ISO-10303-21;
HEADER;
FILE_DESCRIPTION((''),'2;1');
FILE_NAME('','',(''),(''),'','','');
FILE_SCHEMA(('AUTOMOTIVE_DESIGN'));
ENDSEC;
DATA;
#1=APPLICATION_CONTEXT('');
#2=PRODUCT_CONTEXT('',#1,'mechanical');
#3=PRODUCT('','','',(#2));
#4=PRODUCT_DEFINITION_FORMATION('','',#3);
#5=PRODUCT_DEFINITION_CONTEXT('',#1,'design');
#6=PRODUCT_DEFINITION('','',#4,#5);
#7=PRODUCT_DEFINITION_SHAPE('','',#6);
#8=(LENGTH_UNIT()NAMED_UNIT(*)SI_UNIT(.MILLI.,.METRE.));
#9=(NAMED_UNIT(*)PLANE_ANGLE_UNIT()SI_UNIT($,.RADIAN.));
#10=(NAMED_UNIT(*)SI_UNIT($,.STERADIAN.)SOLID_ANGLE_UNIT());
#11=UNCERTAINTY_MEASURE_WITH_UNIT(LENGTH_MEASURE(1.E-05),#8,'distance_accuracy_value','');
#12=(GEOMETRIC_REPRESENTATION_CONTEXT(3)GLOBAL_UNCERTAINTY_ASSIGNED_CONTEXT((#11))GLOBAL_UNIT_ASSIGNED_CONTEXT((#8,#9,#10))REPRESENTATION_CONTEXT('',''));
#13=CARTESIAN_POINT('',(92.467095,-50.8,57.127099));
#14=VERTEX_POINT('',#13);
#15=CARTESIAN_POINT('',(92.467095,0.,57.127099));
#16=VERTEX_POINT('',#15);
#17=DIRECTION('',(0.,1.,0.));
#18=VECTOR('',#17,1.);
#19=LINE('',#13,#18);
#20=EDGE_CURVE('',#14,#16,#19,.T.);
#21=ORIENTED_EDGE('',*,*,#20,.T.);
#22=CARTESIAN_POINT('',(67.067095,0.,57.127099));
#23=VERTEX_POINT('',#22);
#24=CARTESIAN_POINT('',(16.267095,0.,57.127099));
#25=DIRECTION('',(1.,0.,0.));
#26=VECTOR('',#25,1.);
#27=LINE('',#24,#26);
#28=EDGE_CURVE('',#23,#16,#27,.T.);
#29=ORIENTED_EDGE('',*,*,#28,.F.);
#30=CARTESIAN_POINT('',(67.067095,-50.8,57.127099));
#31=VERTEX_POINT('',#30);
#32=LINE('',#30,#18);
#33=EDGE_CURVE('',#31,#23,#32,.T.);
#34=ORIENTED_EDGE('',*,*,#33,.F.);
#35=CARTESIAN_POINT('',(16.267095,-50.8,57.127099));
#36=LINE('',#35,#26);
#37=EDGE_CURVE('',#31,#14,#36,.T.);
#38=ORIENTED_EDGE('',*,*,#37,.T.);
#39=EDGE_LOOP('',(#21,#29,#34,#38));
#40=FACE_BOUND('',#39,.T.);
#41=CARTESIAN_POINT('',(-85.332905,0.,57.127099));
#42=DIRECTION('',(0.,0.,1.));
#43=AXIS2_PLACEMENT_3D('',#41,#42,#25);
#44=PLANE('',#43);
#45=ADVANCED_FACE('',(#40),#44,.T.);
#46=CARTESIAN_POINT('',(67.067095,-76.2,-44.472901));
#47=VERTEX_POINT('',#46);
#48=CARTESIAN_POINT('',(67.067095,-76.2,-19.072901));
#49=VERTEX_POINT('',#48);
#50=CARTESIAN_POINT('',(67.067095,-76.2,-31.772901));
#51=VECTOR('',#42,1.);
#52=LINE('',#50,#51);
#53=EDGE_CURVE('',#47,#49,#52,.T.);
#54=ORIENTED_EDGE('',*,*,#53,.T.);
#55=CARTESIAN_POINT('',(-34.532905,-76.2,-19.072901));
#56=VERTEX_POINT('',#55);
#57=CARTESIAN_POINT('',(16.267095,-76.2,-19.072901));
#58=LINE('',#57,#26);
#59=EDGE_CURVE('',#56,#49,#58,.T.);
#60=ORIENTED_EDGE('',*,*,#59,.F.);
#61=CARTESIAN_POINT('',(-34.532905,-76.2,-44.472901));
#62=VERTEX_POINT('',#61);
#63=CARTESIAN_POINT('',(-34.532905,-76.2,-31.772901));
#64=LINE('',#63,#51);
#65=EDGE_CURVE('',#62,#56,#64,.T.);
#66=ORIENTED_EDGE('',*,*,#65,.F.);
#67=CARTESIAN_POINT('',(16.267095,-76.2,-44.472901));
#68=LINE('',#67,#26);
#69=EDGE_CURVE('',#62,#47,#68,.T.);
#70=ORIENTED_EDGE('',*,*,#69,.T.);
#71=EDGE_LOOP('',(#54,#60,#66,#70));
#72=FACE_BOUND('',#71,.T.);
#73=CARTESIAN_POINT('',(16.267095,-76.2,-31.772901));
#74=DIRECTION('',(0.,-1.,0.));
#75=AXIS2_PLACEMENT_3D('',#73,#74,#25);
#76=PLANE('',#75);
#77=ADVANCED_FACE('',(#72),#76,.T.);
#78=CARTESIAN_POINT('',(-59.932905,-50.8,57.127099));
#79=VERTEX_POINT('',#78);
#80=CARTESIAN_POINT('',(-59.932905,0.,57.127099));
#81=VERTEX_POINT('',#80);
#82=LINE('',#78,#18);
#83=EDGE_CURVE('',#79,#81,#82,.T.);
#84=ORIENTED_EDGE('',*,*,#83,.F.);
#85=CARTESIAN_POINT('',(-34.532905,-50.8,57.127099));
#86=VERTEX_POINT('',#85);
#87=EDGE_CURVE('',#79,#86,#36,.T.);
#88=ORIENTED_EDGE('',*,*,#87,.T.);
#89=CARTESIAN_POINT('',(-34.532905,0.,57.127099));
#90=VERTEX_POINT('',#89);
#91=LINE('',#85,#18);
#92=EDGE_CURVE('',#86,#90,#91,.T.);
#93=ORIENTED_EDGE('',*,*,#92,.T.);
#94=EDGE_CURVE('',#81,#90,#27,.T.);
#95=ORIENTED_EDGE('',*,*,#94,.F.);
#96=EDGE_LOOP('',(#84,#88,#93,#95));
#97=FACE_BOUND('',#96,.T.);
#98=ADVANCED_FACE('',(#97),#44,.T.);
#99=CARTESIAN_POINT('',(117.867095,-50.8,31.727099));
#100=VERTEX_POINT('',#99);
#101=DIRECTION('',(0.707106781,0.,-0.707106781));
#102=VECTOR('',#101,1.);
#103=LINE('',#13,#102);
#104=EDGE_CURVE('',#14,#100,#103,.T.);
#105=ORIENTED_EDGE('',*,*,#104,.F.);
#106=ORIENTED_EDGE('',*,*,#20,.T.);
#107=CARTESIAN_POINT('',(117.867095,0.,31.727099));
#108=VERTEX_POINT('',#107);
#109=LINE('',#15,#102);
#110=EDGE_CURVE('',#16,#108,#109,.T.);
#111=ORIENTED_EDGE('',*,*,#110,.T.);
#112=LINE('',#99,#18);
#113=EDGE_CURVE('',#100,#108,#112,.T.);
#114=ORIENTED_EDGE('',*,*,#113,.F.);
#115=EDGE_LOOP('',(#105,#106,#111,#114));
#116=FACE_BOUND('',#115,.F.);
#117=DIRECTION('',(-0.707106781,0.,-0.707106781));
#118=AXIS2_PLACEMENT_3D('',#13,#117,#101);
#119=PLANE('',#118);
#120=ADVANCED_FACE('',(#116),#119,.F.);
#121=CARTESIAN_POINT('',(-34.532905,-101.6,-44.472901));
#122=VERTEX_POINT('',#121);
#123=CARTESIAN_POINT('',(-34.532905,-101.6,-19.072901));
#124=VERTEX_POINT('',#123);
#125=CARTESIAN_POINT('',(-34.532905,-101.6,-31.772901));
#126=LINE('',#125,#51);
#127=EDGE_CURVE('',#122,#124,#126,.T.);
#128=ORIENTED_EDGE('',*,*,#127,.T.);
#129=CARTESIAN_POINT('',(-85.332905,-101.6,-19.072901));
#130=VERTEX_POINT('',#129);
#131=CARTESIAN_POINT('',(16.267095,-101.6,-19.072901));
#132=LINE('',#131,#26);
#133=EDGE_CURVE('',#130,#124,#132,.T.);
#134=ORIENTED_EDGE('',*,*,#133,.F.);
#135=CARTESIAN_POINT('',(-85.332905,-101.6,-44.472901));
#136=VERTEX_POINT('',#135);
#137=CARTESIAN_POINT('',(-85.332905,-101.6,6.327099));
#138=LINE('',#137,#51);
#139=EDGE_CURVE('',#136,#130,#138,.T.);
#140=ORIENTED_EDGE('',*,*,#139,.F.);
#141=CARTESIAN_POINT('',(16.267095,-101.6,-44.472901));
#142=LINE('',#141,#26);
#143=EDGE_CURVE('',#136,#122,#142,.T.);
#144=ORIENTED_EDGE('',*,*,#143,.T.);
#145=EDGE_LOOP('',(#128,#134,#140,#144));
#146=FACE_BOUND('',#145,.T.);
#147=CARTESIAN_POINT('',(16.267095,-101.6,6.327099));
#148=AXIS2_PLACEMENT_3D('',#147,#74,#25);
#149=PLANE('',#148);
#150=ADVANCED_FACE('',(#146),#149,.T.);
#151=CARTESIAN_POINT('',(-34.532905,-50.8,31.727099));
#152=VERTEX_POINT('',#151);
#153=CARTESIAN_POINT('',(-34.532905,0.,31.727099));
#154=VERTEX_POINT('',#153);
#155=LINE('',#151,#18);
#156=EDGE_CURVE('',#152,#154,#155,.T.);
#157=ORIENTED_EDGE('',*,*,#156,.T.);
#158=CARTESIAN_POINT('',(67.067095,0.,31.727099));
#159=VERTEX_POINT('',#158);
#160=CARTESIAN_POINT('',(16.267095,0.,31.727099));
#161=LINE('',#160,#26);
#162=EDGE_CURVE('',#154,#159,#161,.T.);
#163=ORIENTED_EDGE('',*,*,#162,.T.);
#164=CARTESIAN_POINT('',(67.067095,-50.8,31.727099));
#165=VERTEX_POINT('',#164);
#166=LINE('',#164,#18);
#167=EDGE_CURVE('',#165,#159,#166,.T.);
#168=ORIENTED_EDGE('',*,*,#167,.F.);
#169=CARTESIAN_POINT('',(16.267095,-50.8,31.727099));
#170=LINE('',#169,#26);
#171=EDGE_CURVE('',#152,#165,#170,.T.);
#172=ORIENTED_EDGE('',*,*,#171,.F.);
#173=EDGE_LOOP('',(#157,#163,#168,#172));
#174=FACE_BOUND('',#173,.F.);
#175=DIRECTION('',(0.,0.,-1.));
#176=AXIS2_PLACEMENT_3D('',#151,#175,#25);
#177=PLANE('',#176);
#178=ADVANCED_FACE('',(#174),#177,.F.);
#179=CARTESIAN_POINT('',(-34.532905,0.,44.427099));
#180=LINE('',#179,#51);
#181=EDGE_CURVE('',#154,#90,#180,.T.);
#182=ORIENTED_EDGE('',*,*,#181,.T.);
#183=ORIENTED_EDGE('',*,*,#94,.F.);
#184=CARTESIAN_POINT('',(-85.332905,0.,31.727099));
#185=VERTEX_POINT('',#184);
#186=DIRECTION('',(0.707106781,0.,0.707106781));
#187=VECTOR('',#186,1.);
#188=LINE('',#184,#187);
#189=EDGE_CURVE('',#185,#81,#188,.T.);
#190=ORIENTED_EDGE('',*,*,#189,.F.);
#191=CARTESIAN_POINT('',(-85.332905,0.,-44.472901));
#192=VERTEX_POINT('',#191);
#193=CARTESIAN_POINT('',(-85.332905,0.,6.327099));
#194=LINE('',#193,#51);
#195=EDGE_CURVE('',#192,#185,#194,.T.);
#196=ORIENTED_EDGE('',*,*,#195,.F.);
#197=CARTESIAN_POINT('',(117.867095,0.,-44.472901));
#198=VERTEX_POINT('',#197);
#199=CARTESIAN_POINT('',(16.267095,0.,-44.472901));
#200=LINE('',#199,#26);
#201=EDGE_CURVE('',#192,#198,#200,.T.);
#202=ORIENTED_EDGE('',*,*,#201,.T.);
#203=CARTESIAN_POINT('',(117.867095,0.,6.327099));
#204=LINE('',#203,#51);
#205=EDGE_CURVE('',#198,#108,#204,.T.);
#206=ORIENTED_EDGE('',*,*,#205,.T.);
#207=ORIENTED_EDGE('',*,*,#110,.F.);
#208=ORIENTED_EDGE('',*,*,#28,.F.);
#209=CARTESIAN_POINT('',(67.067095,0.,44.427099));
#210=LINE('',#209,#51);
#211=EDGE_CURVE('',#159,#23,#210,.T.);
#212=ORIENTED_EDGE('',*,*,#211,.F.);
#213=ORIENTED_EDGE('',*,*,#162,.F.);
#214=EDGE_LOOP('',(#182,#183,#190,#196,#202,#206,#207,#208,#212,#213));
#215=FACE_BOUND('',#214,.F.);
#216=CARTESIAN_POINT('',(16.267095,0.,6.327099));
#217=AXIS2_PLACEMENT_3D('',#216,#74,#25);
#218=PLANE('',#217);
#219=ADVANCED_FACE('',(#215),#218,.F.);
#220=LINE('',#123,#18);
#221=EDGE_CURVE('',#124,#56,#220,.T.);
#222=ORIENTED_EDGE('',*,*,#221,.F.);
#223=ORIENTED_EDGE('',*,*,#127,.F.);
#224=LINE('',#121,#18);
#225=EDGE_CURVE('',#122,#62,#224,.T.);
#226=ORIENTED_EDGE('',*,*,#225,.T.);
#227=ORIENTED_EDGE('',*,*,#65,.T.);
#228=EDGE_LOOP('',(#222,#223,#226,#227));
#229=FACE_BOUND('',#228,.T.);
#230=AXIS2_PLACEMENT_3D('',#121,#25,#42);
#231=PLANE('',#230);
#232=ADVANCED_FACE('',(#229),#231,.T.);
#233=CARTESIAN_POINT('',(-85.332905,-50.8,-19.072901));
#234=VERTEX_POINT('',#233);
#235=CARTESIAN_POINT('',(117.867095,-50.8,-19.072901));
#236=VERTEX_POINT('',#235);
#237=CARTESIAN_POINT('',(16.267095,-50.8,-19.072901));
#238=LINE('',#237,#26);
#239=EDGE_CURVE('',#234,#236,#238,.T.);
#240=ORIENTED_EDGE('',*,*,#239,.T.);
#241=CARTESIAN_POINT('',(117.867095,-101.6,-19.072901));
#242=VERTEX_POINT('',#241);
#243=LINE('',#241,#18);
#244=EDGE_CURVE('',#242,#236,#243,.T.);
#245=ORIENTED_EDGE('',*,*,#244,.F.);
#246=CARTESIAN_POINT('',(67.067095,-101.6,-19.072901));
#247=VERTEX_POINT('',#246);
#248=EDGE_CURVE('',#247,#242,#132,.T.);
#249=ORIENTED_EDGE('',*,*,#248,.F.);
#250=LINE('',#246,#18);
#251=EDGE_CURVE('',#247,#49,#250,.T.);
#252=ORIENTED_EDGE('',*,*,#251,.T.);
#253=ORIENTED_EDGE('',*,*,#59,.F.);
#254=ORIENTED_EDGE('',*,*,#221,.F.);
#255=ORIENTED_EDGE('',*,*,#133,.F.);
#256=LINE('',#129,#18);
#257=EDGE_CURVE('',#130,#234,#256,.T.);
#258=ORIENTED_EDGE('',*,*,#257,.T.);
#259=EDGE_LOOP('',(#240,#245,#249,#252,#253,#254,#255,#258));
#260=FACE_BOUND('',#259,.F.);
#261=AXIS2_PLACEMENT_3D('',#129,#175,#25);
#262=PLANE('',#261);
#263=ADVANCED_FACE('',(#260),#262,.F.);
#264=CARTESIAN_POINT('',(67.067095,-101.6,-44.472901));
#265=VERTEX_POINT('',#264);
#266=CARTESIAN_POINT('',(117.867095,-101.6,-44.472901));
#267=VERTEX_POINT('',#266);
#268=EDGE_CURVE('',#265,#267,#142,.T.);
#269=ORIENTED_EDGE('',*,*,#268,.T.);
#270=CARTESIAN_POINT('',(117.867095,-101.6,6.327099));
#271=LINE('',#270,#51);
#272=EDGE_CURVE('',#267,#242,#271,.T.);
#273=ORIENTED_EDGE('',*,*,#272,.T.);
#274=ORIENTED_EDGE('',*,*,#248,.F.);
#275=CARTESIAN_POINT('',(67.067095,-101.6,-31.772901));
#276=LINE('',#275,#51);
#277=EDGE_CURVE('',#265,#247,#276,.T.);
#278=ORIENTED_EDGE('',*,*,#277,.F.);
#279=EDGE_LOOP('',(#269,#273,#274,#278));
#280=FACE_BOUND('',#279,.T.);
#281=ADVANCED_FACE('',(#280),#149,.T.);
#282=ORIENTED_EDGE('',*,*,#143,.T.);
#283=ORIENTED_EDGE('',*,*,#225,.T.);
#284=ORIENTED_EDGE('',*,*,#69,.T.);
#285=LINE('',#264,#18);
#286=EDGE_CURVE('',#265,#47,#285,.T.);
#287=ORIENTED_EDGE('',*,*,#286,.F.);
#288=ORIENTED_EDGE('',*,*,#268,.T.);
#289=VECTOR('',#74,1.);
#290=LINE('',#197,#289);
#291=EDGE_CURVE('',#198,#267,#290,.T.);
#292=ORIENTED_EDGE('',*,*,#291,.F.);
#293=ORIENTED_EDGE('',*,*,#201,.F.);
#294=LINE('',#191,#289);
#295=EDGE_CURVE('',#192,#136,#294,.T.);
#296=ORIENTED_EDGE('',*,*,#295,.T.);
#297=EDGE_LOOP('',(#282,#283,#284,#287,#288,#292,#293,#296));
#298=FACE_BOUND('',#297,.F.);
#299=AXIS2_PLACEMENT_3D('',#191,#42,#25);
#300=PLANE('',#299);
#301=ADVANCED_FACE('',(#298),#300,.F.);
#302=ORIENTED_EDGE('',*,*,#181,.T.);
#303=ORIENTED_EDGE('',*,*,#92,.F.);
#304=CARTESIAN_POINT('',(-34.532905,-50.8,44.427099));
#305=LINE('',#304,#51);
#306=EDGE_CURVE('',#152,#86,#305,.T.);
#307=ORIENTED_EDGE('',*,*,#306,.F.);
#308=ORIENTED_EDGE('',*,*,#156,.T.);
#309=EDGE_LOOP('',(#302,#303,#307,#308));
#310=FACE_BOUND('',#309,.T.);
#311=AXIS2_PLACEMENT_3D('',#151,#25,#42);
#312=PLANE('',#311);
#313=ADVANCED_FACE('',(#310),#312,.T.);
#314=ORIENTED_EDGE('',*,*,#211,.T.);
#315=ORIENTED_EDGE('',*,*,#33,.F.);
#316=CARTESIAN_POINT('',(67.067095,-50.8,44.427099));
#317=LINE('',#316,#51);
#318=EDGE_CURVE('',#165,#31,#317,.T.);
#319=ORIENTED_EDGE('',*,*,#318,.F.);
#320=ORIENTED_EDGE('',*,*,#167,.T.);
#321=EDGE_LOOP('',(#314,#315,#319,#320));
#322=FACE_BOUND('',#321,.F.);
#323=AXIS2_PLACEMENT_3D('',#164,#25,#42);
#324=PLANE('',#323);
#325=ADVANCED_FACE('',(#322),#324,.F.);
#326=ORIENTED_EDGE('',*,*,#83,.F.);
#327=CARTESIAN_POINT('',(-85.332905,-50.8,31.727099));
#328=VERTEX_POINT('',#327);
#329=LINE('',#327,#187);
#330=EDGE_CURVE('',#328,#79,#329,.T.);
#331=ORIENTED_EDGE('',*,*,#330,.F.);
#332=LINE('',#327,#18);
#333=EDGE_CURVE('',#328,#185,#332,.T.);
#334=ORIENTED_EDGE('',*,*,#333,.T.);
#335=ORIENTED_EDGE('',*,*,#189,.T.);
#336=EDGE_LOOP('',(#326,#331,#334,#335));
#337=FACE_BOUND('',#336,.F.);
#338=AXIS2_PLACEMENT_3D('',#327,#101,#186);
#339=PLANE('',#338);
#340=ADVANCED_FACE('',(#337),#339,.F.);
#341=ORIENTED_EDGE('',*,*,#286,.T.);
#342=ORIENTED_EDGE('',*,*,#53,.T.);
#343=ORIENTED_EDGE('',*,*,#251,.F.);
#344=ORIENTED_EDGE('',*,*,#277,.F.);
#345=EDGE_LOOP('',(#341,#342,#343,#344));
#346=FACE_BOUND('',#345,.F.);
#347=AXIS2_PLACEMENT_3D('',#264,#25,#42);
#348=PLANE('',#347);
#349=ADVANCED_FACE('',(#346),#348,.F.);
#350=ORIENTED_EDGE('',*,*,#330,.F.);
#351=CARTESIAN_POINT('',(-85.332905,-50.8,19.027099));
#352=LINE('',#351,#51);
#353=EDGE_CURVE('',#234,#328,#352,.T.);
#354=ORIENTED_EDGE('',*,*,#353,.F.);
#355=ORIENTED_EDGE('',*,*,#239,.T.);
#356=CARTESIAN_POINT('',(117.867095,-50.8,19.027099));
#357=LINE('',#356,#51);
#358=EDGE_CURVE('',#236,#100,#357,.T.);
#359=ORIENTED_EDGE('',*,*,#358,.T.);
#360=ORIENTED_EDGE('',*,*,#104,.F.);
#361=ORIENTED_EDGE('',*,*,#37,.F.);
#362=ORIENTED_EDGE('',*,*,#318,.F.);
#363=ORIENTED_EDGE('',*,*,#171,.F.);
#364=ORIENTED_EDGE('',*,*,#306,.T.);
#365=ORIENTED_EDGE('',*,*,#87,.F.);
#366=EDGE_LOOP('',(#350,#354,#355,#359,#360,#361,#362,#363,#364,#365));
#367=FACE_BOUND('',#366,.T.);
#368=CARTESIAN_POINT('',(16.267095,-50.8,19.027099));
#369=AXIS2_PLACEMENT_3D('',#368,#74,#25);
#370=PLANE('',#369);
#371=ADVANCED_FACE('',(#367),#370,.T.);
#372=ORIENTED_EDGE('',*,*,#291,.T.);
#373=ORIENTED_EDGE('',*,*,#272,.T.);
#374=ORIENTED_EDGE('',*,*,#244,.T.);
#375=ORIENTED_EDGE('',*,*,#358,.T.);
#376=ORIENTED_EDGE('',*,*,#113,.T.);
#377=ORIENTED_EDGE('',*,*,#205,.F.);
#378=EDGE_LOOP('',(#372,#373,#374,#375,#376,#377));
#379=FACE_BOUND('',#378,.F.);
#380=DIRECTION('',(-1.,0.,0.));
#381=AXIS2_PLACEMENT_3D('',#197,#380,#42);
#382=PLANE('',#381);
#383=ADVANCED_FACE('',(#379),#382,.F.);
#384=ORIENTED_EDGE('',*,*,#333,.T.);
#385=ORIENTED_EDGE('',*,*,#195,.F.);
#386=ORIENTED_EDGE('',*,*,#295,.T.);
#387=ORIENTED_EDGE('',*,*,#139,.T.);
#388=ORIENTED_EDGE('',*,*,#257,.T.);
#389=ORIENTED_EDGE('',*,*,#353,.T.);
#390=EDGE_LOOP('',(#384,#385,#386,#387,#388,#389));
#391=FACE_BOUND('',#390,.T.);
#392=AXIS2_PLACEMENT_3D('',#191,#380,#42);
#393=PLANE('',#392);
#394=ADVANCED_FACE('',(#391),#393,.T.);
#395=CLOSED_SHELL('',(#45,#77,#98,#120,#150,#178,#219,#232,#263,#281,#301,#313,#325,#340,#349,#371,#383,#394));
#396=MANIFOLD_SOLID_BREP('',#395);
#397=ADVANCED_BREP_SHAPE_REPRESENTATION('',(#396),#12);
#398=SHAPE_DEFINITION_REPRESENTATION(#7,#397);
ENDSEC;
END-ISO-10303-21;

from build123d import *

# Parameters (mm, degrees)
F0_W      = 203.2
F0_H      = 101.6
F1_DEPTH  = 101.6
F2_W      = 203.2
F2_H      = 76.2
F3_DEPTH  = 50.8
F4_W      = 101.6
F4_H      = 25.4
F5_DEPTH  = 25.4
F6_W      = 101.6
F6_H      = 25.4
F7_DEPTH  = 50.8
F9_DEPTH  = 50.8
F11_DEPTH = 50.8


with BuildPart() as f1:
    # F0 (on Front) → F1 (new body)
    with BuildSketch(Plane.XZ):
        with Locations((16.267095, 6.327099)):
            Rectangle(F0_W, F0_H)
    extrude(amount=F1_DEPTH)

    # F2 (on face) → F3 (cut)
    with BuildSketch(Plane.XZ.offset(101.6)):
        with Locations((16.267095, 19.027099)):
            Rectangle(F2_W, F2_H)
    extrude(amount=-F3_DEPTH, mode=Mode.SUBTRACT)

    # F4 (on face) → F5 (cut)
    with BuildSketch(Plane.XZ.offset(101.6)):
        with Locations((16.267095, -31.772901)):
            Rectangle(F4_W, F4_H)
    extrude(amount=-F5_DEPTH, mode=Mode.SUBTRACT)

    # F6 (on face) → F7 (cut)
    with BuildSketch(Plane.XZ.offset(50.8)):
        with Locations((16.267095, 44.427099)):
            Rectangle(F6_W, F6_H)
    extrude(amount=-F7_DEPTH, mode=Mode.SUBTRACT)

    # F8 (on face) → F9 (cut)
    with BuildSketch(Plane.XZ.offset(50.8)):
        Polygon((92.467095, 57.127099), (117.867095, 31.727099), (117.867095, 57.127099), align=None)
    extrude(amount=-F9_DEPTH, mode=Mode.SUBTRACT)

    # F10 (on face) → F11 (cut)
    with BuildSketch(Plane.XZ.offset(50.8)):
        Polygon((-85.332905, 57.127099), (-85.332905, 31.727099), (-59.932905, 57.127099), align=None)
    extrude(amount=-F11_DEPTH, mode=Mode.SUBTRACT)


solid = f1.part
